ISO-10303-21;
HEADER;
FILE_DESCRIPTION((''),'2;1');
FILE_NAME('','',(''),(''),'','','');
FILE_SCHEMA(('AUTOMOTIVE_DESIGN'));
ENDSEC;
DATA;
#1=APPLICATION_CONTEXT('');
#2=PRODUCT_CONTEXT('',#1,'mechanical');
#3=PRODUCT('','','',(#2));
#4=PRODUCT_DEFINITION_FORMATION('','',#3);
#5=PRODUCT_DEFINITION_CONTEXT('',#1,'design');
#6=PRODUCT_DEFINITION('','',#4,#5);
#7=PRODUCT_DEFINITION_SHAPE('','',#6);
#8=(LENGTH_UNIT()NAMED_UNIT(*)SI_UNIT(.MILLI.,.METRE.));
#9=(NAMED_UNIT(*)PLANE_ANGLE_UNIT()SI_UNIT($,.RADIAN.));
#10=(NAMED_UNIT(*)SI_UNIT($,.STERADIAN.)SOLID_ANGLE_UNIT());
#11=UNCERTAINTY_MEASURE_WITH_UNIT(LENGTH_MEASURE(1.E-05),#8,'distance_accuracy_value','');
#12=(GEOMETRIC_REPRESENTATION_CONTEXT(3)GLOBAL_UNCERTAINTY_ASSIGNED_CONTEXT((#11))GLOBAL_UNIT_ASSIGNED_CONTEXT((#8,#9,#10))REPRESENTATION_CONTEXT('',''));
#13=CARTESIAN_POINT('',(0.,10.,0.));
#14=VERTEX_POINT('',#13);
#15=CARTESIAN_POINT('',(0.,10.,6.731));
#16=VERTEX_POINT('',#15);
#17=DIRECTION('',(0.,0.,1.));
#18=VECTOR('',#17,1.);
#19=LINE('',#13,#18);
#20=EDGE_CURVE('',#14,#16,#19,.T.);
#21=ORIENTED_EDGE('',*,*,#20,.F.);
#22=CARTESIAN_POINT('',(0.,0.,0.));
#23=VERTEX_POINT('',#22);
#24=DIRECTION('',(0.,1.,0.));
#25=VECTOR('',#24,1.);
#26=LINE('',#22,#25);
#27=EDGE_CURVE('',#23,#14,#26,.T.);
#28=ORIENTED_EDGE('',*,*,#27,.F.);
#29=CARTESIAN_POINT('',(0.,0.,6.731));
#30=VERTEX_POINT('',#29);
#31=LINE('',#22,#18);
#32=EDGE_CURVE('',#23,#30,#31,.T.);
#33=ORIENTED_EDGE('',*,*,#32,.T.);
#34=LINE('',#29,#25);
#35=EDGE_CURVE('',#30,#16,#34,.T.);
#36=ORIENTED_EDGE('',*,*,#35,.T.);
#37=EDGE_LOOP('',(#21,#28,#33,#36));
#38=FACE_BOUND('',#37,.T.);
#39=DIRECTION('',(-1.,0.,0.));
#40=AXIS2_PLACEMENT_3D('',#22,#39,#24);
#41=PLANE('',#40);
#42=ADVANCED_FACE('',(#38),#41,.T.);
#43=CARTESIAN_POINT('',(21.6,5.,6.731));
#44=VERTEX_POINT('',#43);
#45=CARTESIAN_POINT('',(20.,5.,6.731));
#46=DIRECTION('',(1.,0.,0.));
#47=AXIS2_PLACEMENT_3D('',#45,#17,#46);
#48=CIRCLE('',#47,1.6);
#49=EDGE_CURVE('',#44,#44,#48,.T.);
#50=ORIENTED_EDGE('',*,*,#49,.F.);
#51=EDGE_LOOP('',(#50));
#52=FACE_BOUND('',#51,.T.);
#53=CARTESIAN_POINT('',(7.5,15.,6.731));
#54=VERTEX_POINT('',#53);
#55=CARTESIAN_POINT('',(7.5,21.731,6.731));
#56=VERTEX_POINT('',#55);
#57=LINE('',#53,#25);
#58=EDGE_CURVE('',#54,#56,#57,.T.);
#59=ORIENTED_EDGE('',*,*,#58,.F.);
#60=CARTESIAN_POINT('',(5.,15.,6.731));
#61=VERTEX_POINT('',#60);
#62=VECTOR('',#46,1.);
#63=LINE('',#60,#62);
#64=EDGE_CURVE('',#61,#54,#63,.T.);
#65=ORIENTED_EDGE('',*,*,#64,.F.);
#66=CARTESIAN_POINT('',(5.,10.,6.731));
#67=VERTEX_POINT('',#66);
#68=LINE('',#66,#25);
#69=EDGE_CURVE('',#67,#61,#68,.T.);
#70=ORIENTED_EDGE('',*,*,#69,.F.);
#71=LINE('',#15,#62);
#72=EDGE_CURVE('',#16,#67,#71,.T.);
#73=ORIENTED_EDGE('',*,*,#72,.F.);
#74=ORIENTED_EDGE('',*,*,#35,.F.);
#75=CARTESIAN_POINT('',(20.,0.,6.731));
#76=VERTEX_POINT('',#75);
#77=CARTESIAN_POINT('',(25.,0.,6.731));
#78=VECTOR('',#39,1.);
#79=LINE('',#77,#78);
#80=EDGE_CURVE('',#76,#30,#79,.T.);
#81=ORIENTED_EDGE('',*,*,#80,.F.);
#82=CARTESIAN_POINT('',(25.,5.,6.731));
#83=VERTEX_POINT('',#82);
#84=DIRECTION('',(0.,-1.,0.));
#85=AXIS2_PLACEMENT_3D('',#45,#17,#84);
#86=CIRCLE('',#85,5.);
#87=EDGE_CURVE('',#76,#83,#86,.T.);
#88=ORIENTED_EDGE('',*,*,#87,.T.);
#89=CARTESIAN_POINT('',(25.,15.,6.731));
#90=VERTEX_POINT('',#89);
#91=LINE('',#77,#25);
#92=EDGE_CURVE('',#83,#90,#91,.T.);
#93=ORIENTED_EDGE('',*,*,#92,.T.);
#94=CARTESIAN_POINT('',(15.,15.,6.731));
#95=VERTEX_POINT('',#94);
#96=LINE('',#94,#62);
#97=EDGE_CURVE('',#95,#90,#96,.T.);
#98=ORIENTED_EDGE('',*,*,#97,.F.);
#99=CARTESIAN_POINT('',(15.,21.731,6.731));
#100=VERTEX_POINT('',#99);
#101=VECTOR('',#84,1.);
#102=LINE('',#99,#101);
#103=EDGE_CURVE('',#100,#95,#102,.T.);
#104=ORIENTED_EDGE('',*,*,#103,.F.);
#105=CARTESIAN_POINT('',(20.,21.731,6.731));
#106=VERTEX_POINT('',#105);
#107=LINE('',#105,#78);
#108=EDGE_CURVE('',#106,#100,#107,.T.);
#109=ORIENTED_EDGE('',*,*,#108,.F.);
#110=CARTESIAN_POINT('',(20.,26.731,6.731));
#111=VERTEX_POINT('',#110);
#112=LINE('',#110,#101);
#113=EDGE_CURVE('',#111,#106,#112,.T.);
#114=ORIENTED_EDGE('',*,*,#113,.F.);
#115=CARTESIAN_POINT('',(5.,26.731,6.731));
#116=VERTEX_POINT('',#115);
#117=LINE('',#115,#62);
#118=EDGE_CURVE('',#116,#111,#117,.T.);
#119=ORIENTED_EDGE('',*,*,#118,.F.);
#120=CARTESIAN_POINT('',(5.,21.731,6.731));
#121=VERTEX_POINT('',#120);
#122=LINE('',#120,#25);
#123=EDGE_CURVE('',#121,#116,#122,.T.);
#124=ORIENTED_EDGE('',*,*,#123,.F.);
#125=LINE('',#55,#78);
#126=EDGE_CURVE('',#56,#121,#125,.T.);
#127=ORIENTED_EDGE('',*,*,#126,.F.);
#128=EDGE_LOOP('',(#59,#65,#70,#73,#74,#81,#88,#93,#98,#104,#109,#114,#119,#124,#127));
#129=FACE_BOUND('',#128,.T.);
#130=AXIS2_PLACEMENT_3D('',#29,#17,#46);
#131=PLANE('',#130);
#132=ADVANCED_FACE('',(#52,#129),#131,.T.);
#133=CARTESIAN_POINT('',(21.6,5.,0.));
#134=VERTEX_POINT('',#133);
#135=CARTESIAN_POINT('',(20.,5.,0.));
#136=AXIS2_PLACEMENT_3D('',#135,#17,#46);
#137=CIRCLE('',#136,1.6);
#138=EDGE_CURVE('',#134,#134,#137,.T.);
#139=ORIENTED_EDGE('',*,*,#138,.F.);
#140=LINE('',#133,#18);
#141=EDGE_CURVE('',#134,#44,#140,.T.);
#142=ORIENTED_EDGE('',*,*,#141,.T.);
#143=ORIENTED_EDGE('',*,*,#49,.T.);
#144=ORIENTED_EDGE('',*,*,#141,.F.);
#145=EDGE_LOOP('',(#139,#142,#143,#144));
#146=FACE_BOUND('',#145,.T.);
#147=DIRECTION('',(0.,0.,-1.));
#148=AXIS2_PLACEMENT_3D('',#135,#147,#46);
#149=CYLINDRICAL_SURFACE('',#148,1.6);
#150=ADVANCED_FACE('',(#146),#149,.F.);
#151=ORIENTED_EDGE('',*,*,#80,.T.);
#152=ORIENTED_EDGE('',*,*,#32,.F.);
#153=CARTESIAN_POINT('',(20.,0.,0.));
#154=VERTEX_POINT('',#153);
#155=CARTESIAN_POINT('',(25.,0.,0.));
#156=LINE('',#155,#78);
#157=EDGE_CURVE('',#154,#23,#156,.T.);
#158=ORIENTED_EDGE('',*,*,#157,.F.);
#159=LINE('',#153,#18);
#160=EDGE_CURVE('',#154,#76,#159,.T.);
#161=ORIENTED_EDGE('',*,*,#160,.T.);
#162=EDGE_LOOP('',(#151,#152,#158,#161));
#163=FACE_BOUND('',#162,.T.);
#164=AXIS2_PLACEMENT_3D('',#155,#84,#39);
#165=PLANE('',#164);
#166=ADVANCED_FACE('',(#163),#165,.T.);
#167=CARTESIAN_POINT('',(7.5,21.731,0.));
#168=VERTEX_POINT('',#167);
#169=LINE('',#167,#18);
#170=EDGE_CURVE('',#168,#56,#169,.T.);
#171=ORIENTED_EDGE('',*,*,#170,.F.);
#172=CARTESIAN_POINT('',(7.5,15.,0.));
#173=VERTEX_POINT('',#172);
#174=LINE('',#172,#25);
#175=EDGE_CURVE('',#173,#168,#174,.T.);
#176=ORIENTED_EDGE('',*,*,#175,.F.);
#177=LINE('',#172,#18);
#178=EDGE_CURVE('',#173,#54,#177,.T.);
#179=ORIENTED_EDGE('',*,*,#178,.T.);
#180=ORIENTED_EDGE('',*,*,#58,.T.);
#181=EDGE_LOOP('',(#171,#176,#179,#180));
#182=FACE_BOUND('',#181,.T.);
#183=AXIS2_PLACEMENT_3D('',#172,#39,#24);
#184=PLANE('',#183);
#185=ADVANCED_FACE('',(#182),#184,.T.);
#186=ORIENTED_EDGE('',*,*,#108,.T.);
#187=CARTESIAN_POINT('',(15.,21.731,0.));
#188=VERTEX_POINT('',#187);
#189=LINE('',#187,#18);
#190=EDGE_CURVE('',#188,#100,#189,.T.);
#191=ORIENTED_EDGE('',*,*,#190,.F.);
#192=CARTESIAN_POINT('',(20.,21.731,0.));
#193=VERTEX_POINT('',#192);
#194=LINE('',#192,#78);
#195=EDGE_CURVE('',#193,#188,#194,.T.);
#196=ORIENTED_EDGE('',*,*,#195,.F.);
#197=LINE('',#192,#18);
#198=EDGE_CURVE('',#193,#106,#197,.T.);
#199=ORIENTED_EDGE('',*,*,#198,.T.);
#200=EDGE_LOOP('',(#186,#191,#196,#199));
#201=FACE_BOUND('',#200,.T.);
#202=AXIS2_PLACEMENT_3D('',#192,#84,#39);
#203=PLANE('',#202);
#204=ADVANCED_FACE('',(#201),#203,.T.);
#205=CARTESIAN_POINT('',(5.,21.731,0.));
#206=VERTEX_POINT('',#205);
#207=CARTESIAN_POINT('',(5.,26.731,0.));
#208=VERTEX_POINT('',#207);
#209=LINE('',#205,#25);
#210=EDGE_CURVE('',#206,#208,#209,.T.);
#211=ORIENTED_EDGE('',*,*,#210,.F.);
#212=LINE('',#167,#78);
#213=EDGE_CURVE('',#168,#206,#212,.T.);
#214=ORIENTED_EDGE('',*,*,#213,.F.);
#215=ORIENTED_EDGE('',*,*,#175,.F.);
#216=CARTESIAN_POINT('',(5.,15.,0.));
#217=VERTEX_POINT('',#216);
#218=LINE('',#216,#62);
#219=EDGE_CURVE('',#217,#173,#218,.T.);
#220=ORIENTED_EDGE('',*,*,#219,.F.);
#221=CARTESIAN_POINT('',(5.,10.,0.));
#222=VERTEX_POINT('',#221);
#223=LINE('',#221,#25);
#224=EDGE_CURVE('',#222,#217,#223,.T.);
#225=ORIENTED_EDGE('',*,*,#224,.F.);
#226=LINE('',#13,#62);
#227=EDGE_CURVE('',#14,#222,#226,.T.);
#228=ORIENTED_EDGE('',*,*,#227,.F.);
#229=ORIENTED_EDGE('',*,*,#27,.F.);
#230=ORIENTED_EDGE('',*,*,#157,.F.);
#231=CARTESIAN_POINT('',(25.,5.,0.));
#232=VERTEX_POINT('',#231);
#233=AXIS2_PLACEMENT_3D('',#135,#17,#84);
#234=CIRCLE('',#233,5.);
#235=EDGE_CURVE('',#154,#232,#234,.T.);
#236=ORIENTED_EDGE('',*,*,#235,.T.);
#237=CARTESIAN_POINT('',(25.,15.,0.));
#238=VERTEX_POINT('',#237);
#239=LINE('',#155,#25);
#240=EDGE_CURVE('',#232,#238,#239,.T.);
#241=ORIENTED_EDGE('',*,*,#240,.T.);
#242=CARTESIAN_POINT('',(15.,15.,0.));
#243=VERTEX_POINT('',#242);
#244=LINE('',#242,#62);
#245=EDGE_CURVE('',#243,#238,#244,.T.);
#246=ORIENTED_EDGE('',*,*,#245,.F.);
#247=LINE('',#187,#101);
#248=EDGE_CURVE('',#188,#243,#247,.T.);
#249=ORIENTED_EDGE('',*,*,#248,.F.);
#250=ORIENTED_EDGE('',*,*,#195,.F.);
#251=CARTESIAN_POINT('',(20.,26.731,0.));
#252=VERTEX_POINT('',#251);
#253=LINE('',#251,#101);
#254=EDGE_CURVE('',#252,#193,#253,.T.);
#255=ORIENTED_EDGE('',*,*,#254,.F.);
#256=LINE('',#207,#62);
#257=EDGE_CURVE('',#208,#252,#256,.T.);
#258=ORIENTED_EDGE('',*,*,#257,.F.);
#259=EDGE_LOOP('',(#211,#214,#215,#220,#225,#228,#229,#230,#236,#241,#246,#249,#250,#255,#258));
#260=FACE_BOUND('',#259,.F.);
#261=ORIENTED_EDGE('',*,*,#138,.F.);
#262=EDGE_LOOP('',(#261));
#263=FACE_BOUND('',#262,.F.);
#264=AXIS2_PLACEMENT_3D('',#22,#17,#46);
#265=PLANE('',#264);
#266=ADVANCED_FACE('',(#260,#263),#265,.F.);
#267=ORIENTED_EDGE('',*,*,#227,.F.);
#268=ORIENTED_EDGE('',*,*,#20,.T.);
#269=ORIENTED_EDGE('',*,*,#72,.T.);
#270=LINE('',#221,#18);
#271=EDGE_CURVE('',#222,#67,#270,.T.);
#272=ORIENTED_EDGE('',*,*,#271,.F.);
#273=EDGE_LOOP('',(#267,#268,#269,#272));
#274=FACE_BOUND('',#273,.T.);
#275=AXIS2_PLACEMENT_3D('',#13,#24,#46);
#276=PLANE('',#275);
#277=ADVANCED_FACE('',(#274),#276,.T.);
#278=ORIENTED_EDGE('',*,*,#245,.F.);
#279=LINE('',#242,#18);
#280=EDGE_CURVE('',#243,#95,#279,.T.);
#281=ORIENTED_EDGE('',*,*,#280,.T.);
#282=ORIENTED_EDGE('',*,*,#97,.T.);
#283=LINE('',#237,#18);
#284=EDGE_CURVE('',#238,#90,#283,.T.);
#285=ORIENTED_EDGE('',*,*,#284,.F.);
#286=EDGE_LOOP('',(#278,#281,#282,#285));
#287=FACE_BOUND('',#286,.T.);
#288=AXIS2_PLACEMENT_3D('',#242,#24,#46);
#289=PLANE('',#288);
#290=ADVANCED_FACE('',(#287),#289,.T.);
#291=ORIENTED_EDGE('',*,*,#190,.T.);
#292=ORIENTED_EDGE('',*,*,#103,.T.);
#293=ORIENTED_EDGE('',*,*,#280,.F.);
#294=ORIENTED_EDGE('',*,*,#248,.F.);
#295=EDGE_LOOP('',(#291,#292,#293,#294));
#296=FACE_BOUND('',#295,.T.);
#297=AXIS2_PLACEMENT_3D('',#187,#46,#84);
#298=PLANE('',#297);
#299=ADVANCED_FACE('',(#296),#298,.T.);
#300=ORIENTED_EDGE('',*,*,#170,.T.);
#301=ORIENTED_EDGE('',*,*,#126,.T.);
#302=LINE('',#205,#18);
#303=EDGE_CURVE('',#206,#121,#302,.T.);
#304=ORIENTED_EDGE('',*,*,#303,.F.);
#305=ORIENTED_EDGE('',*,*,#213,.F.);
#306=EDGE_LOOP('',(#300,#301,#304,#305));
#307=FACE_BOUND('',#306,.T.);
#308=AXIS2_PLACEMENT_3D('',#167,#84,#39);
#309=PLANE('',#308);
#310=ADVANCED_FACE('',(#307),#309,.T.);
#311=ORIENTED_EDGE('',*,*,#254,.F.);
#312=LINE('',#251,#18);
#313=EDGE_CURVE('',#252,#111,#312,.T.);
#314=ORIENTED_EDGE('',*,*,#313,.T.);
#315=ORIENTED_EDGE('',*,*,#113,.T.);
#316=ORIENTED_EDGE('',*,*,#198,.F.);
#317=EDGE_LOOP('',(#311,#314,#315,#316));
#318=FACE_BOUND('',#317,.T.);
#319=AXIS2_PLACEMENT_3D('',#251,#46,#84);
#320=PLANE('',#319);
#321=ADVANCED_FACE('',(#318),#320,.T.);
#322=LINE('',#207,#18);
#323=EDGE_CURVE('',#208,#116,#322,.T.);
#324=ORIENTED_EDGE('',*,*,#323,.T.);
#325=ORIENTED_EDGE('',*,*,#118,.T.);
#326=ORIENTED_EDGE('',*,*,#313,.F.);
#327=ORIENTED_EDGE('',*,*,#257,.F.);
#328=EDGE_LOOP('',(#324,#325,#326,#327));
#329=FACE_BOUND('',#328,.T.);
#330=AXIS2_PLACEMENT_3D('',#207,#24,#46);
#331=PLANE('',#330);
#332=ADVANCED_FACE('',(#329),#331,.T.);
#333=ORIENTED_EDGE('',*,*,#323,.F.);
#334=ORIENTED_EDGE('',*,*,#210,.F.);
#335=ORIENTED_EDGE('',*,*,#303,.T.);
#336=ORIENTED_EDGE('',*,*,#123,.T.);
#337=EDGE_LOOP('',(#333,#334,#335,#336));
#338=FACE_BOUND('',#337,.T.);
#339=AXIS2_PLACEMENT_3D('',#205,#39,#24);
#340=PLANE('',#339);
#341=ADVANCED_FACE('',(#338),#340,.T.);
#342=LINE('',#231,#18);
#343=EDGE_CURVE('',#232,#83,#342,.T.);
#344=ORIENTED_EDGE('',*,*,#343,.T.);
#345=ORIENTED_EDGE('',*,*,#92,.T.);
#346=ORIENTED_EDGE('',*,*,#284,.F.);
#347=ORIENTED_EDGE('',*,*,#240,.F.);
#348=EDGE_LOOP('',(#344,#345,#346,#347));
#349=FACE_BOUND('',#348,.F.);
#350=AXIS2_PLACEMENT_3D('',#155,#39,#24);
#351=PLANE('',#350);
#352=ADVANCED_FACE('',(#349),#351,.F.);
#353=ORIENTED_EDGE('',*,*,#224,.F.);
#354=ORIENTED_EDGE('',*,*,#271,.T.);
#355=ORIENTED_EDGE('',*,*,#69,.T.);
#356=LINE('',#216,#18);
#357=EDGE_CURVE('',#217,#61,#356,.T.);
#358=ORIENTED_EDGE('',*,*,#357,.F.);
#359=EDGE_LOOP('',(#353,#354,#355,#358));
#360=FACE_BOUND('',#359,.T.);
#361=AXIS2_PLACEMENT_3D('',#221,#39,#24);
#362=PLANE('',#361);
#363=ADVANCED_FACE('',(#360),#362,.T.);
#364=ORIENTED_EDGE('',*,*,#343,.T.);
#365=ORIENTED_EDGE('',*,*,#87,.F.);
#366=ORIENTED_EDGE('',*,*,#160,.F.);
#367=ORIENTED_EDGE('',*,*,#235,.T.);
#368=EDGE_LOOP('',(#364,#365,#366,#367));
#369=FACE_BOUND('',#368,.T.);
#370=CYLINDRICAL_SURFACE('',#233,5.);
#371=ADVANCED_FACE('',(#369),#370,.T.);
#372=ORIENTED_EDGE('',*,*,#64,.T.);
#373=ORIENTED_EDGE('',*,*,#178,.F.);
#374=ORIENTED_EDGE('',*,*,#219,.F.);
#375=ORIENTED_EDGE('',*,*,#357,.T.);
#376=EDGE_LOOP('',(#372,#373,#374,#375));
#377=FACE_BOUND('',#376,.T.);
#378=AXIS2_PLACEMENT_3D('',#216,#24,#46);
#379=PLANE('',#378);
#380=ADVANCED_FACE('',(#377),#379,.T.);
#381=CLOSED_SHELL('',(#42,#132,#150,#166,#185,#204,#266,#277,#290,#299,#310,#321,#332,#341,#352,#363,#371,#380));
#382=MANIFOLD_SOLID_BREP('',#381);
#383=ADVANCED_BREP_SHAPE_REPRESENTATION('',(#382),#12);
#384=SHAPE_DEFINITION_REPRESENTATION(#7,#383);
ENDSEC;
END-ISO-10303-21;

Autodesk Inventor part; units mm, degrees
ref_plane "YZ Plane" through (0, 0, 0) normal (1, 0, 0) x (0, 1, 0)
ref_plane "XZ Plane" through (0, 0, 0) normal (0, 1, 0) x (-1, 0, 0)
ref_plane "XY Plane" through (0, 0, 0) normal (0, 0, 1) x (1, 0, 0)
sketch "Sketch1" plane through (0, 0, 0) normal (0, 0, 1) x (1, 0, 0)
  line L0 (25, 0) -> (0, 0)
  line L1 (0, 0) -> (0, 10)
  line L2 (0, 10) -> (5, 10)
  line L3 (25, 0) -> (25, 15)
  circle A0 centre (20, 5) radius 1.6
  line L4 (5, 10) -> (5, 15)
  line L5 (7.5, 15) -> (7.5, 21.731)
  line L6 (7.5, 21.731) -> (5, 21.731)
  line L7 (5, 21.731) -> (5, 26.731)
  line L8 (5, 26.731) -> (20, 26.731)
  line L9 (20, 26.731) -> (20, 21.731)
  line L10 (20, 21.731) -> (15, 21.731)
  line L11 (15, 21.731) -> (15, 15)
  line L12 (5, 15) -> (7.5, 15)
  line L13 (15, 15) -> (25, 15)
  dimension "d0" = 10
  dimension "d8" = 5
  dimension "d9" = 25
  dimension "d12" = 5
  dimension "d13" = 5
  dimension "d20" = 3.2
  dimension "d22" = 7.5
  dimension "d23" = 2.5
  dimension "d24" = 15
  dimension "d25" = 5
  dimension "d26" = 6.731
  dimension "d27" = 15
extrude "Extrusion1" add sketch "Sketch1" along normal blind 6.731
fillet "Fillet1" radius 5 1 edges at (25, 0, 3.3655)
equation "\"d8\" = d3"
equation "\"d12\" = d13"
equation "\"d26\" = THICKB"
equation "\"d15\" = THICKB"
equation "\"THICKA\" = 3.175"
equation "\"THICKB\" = 6.731"
equation "\"THICKC\" = 12.7"
equation "\"MAGDIA\" = 9.5"
equation "\"BALLDIA\" = 12"
equation "\"d3\" = 5"
properties part number "Carriage_Belt_Lock"
